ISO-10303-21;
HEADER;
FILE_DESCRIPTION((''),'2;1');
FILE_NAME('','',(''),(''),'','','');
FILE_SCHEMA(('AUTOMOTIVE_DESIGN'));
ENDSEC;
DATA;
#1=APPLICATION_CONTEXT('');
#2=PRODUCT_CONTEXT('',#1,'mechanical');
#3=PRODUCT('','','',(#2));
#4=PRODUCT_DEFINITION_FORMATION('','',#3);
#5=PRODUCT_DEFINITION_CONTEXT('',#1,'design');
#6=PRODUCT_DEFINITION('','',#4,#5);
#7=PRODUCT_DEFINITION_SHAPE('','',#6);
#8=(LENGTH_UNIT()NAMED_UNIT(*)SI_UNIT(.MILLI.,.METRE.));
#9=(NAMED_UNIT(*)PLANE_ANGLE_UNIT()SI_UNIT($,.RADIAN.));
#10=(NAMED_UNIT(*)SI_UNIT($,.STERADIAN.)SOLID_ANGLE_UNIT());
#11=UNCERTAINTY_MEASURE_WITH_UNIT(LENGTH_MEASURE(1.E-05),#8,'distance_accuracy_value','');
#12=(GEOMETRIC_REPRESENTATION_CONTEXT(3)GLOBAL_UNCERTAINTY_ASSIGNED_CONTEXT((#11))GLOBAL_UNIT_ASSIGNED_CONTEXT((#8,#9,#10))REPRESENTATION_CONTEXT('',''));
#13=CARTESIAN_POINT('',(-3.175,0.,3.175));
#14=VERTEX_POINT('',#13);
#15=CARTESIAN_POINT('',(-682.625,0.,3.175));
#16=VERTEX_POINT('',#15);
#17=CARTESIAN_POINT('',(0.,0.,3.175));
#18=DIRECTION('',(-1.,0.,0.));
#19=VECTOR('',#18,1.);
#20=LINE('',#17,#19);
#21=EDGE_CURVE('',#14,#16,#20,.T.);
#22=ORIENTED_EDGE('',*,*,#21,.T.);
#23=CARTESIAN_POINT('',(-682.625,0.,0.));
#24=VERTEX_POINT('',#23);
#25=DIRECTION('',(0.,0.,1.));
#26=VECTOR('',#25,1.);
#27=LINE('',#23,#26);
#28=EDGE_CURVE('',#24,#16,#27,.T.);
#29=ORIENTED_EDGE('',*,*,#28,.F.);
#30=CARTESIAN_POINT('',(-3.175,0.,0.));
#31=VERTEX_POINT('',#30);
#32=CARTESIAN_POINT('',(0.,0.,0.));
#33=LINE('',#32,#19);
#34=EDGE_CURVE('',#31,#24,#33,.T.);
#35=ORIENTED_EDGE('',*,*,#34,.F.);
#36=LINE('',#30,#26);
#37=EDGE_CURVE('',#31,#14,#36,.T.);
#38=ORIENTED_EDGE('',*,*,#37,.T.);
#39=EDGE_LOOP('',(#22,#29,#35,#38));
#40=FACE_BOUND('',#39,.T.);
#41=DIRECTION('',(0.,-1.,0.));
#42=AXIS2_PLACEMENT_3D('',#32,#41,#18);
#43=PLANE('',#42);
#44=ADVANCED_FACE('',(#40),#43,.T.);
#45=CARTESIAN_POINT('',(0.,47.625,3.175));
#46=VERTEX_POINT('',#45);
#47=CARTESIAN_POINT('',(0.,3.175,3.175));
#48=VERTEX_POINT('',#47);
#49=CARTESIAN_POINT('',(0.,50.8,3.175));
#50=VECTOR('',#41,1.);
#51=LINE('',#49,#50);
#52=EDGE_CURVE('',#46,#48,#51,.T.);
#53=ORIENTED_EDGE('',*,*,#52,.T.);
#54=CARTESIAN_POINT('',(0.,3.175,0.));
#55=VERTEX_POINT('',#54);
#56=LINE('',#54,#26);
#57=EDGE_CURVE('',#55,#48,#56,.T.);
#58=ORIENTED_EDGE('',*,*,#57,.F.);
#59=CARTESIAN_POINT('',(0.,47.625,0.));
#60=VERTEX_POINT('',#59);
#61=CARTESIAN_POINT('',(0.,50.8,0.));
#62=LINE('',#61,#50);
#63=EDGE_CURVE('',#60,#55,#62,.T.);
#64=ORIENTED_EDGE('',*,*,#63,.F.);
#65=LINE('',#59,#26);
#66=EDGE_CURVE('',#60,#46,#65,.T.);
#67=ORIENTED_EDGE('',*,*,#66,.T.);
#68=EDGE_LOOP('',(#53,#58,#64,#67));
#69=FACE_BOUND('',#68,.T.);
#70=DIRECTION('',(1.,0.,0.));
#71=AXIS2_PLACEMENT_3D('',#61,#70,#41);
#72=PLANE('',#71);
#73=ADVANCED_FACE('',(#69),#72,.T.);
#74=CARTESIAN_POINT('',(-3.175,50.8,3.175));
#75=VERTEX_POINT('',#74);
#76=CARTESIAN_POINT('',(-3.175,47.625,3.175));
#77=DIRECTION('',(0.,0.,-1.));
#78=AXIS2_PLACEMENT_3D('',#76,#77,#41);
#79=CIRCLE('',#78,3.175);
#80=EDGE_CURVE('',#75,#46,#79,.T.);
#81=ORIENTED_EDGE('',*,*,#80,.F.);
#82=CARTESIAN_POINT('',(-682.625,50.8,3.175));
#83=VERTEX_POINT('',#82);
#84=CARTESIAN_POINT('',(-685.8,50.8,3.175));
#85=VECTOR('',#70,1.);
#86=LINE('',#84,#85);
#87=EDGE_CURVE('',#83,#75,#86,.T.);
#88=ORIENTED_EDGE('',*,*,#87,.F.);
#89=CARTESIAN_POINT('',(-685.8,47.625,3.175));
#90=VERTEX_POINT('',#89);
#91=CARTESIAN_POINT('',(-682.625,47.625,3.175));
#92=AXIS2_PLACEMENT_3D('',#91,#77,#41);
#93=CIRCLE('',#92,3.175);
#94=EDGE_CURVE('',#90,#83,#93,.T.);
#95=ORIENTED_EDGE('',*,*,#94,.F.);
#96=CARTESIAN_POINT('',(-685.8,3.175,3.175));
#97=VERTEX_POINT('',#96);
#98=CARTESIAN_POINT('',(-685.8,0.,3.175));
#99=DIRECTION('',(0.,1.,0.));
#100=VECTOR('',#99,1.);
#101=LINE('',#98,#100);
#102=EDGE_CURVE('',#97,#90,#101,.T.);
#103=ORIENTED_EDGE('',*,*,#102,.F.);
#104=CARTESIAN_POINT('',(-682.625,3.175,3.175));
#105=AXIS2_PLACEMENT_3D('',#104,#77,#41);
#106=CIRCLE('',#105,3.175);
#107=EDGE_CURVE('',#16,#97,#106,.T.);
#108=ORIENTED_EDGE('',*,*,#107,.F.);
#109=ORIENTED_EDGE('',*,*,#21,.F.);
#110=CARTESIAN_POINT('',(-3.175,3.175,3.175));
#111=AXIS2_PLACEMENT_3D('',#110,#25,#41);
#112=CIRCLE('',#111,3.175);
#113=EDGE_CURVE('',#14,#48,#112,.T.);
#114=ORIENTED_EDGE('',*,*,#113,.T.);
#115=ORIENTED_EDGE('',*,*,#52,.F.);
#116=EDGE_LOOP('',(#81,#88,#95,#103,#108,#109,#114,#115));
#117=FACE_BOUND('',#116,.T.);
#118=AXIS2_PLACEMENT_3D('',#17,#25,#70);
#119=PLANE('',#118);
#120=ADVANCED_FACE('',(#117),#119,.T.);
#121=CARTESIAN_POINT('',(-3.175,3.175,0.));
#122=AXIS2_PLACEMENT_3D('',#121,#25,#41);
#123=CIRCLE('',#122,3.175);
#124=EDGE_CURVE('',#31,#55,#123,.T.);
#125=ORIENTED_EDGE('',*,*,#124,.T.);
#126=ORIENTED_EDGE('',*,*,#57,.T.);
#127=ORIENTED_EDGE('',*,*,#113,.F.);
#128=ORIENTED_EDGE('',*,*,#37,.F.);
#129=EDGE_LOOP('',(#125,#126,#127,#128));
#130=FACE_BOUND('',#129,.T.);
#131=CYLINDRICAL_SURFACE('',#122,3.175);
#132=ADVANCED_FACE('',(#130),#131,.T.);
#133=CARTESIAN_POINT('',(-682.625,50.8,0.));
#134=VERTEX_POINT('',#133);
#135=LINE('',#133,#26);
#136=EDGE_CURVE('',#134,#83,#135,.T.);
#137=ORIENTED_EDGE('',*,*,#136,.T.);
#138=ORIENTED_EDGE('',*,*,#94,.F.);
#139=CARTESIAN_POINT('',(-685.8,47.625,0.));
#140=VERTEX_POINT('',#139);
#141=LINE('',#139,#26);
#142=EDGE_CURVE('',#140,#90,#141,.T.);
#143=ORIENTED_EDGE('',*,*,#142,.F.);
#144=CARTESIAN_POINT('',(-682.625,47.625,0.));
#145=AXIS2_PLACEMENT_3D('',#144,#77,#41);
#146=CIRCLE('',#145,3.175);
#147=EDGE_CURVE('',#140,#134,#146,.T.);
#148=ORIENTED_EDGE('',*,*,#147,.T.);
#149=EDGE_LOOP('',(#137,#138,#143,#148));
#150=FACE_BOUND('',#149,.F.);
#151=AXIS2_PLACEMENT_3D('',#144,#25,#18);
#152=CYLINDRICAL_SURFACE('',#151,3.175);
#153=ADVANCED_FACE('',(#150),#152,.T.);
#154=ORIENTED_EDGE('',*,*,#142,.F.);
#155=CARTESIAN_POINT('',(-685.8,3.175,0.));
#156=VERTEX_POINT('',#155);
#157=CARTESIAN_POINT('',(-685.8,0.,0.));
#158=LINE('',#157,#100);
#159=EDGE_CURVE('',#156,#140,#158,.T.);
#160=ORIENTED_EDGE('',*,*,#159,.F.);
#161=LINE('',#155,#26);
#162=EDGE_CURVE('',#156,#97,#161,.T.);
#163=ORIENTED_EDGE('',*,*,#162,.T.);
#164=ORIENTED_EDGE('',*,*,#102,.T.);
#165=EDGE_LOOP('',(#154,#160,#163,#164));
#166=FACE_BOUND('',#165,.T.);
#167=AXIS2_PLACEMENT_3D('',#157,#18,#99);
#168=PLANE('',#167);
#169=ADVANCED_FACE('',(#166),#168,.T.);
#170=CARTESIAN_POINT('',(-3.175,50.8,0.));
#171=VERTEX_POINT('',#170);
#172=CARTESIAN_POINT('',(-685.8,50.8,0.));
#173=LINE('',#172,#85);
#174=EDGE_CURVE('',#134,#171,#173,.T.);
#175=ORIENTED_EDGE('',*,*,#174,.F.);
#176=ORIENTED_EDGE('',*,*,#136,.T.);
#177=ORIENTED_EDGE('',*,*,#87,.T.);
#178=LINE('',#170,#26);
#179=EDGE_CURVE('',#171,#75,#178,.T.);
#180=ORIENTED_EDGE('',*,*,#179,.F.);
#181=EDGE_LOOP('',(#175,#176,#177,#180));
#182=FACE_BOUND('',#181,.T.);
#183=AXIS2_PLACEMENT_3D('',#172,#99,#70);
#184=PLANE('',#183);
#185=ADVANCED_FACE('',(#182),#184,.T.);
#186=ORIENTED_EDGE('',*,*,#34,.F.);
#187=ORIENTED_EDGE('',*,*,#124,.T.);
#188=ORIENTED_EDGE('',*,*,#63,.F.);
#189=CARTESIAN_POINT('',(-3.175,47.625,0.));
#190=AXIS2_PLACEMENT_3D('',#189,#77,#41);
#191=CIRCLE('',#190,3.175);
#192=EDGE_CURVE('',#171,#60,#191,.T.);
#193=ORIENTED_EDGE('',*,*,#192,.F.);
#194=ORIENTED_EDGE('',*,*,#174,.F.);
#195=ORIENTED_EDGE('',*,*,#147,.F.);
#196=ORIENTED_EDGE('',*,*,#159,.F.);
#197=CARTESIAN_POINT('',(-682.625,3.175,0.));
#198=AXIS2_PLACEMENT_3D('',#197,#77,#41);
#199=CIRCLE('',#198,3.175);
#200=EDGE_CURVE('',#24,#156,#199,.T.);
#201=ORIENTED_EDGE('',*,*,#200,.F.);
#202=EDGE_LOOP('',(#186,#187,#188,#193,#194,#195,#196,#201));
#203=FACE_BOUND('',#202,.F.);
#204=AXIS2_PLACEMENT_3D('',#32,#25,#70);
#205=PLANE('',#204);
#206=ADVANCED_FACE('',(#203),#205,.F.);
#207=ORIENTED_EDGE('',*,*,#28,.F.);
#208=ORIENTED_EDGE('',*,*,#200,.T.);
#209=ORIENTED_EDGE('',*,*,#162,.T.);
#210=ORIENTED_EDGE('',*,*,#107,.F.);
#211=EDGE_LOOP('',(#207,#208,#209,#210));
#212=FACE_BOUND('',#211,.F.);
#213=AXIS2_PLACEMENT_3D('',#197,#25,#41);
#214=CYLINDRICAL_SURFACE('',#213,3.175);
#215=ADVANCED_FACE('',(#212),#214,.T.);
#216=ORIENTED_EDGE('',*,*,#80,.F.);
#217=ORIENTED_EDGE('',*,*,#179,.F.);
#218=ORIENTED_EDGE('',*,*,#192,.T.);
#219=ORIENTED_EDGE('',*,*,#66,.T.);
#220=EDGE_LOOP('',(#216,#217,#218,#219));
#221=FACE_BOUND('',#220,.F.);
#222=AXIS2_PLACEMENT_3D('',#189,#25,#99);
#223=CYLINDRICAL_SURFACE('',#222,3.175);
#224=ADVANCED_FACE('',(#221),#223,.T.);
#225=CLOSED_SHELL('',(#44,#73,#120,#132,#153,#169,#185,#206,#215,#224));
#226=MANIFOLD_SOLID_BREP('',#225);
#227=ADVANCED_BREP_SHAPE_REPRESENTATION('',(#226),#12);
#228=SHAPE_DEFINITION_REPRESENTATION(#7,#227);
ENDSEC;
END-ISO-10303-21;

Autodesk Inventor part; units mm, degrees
ref_plane "YZ Plane" through (0, 0, 0) normal (1, 0, 0) x (0, 1, 0)
ref_plane "XZ Plane" through (0, 0, 0) normal (0, 1, 0) x (-1, 0, 0)
ref_plane "XY Plane" through (0, 0, 0) normal (0, 0, 1) x (1, 0, 0)
sketch "Sketch1" plane through (0, 0, 0) normal (0, 0, 1) x (1, 0, 0)
  line L0 (0, 0) -> (-685.8, 0)
  line L1 (-685.8, 0) -> (-685.8, 50.8)
  line L2 (-685.8, 50.8) -> (0, 50.8)
  line L3 (0, 50.8) -> (0, 0)
  dimension "d0" = 50.8
  dimension "d1" = 685.8
extrude "Extrusion1" add sketch "Sketch1" along normal blind 3.175
fillet "Fillet1" radius 3.175 4 edges at (0, 50.8, 1.5875) (0, 0, 1.5875) (-685.8, 50.8, 1.5875) (-685.8, 0, 1.5875)
properties part number "emergency side plate"
